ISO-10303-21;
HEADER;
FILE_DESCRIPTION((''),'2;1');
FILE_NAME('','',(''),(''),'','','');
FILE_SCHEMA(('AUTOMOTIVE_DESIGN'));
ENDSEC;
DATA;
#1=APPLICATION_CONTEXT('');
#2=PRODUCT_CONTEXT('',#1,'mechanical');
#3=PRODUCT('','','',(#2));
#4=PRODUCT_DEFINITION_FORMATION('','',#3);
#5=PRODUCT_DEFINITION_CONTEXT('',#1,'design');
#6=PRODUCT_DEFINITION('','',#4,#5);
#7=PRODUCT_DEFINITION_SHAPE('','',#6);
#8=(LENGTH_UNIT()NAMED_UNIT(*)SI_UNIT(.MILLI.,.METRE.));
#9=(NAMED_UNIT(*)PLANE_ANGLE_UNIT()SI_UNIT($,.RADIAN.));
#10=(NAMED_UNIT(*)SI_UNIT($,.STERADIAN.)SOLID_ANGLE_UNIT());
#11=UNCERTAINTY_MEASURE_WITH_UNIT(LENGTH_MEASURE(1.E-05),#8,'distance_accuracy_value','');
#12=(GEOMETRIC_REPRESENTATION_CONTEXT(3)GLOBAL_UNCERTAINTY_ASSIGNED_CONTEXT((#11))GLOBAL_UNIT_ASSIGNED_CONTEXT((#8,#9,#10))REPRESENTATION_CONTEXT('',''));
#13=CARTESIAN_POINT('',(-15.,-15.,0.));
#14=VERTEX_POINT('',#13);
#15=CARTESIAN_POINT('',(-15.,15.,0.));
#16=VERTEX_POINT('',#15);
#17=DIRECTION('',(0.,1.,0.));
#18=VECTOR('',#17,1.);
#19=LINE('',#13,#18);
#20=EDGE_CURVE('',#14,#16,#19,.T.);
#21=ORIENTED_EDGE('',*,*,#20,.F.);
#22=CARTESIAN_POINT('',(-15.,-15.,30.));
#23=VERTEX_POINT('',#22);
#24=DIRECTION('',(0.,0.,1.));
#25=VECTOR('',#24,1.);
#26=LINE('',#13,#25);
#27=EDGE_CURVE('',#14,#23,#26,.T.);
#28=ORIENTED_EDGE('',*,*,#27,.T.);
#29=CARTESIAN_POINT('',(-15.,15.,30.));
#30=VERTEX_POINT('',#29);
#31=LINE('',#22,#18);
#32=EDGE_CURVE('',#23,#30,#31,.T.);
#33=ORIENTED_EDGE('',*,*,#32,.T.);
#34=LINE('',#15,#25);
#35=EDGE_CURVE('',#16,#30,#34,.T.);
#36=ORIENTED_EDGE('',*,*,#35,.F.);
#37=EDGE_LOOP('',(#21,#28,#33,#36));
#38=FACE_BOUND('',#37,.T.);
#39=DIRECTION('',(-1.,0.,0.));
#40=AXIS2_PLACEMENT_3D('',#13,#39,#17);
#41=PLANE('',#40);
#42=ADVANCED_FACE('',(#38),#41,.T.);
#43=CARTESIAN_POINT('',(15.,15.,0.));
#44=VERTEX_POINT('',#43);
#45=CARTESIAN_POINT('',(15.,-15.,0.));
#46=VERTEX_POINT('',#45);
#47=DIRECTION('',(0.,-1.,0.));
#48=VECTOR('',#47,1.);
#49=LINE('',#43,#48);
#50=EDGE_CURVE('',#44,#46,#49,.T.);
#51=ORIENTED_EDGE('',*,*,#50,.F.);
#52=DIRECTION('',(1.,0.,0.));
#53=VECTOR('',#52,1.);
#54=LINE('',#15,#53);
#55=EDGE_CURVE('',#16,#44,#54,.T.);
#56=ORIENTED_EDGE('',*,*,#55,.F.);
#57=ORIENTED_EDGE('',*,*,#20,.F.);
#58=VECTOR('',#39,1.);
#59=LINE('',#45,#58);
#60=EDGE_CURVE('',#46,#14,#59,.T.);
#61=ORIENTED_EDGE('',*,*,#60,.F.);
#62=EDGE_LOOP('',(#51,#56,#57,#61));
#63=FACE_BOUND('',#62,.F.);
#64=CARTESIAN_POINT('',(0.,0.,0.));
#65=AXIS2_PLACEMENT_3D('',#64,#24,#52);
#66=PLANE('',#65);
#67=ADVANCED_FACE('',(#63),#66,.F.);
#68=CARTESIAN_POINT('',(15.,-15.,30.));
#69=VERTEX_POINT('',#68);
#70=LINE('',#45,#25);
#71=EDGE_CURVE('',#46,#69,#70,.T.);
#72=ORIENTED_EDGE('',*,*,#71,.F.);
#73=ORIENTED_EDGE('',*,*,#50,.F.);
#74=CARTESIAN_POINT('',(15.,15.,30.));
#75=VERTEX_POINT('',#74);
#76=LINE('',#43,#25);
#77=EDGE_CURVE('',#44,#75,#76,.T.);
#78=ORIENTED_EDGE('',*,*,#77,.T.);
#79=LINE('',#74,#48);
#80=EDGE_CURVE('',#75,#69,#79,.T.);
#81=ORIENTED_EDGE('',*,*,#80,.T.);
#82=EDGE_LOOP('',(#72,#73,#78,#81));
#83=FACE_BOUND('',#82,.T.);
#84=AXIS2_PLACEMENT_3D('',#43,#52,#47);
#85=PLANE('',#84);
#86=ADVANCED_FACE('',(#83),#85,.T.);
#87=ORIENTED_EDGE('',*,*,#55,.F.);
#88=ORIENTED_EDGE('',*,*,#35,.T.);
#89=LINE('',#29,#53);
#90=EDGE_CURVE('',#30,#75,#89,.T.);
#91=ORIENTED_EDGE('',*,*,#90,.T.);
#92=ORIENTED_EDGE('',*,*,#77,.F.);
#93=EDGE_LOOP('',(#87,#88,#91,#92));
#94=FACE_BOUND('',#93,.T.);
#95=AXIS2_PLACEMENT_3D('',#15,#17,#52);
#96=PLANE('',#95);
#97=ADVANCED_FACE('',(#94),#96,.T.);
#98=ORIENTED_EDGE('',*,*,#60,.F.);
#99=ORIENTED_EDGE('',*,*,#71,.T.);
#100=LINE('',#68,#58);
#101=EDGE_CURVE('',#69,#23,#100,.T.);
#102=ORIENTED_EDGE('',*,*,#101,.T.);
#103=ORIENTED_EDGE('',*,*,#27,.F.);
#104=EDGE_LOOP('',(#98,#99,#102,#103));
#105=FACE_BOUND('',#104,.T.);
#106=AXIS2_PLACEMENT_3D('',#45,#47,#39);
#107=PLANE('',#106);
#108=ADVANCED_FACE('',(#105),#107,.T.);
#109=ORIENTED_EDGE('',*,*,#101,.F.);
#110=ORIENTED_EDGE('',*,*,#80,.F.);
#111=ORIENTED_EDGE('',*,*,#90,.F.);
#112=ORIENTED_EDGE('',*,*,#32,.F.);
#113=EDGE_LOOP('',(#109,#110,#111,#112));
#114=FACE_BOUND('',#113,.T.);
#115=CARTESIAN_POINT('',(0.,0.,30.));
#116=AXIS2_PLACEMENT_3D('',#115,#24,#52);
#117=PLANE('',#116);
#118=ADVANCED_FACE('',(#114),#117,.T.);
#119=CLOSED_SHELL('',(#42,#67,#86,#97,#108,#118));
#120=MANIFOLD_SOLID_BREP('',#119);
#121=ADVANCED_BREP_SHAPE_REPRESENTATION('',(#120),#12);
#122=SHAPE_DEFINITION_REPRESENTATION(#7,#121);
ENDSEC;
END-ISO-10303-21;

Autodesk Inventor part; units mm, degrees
ref_plane "YZ Plane" through (0, 0, 0) normal (1, 0, 0) x (0, 1, 0)
ref_plane "XZ Plane" through (0, 0, 0) normal (0, 1, 0) x (-1, 0, 0)
ref_plane "XY Plane" through (0, 0, 0) normal (0, 0, 1) x (1, 0, 0)
sketch "Sketch1" plane through (0, 0, 0) normal (0, 0, 1) x (1, 0, 0)
  line L0 (-21, 0) -> (21, 0) construction
  line L1 (0, -21) -> (0, 21) construction
  line L2 (-15, 15) -> (15, 15)
  line L3 (15, 15) -> (15, -15)
  line L4 (15, -15) -> (-15, -15)
  line L5 (-15, -15) -> (-15, 15)
  point P0 (0, 0)
  dimension "d0" = 30
  dimension "d1" = 30
extrude "Extrusion1" add sketch "Sketch1" along normal blind 30
ref_plane "Work Plane1" through (0, -15, 0) normal (1, 0, 0) x (0, 0, -1)
ref_plane "Work Plane2" through (0, 0, 15) normal (0, 0, 1) x (1, 0, 0)
ref_plane "Work Plane3" through (-15, 0, 0) normal (0, 1, 0) x (1, 0, 0)
equation "\"d1\" = d0"
equation "\"d2\" = d0"
properties part number "00_Beamsplitter_30mm" material "Glass"
